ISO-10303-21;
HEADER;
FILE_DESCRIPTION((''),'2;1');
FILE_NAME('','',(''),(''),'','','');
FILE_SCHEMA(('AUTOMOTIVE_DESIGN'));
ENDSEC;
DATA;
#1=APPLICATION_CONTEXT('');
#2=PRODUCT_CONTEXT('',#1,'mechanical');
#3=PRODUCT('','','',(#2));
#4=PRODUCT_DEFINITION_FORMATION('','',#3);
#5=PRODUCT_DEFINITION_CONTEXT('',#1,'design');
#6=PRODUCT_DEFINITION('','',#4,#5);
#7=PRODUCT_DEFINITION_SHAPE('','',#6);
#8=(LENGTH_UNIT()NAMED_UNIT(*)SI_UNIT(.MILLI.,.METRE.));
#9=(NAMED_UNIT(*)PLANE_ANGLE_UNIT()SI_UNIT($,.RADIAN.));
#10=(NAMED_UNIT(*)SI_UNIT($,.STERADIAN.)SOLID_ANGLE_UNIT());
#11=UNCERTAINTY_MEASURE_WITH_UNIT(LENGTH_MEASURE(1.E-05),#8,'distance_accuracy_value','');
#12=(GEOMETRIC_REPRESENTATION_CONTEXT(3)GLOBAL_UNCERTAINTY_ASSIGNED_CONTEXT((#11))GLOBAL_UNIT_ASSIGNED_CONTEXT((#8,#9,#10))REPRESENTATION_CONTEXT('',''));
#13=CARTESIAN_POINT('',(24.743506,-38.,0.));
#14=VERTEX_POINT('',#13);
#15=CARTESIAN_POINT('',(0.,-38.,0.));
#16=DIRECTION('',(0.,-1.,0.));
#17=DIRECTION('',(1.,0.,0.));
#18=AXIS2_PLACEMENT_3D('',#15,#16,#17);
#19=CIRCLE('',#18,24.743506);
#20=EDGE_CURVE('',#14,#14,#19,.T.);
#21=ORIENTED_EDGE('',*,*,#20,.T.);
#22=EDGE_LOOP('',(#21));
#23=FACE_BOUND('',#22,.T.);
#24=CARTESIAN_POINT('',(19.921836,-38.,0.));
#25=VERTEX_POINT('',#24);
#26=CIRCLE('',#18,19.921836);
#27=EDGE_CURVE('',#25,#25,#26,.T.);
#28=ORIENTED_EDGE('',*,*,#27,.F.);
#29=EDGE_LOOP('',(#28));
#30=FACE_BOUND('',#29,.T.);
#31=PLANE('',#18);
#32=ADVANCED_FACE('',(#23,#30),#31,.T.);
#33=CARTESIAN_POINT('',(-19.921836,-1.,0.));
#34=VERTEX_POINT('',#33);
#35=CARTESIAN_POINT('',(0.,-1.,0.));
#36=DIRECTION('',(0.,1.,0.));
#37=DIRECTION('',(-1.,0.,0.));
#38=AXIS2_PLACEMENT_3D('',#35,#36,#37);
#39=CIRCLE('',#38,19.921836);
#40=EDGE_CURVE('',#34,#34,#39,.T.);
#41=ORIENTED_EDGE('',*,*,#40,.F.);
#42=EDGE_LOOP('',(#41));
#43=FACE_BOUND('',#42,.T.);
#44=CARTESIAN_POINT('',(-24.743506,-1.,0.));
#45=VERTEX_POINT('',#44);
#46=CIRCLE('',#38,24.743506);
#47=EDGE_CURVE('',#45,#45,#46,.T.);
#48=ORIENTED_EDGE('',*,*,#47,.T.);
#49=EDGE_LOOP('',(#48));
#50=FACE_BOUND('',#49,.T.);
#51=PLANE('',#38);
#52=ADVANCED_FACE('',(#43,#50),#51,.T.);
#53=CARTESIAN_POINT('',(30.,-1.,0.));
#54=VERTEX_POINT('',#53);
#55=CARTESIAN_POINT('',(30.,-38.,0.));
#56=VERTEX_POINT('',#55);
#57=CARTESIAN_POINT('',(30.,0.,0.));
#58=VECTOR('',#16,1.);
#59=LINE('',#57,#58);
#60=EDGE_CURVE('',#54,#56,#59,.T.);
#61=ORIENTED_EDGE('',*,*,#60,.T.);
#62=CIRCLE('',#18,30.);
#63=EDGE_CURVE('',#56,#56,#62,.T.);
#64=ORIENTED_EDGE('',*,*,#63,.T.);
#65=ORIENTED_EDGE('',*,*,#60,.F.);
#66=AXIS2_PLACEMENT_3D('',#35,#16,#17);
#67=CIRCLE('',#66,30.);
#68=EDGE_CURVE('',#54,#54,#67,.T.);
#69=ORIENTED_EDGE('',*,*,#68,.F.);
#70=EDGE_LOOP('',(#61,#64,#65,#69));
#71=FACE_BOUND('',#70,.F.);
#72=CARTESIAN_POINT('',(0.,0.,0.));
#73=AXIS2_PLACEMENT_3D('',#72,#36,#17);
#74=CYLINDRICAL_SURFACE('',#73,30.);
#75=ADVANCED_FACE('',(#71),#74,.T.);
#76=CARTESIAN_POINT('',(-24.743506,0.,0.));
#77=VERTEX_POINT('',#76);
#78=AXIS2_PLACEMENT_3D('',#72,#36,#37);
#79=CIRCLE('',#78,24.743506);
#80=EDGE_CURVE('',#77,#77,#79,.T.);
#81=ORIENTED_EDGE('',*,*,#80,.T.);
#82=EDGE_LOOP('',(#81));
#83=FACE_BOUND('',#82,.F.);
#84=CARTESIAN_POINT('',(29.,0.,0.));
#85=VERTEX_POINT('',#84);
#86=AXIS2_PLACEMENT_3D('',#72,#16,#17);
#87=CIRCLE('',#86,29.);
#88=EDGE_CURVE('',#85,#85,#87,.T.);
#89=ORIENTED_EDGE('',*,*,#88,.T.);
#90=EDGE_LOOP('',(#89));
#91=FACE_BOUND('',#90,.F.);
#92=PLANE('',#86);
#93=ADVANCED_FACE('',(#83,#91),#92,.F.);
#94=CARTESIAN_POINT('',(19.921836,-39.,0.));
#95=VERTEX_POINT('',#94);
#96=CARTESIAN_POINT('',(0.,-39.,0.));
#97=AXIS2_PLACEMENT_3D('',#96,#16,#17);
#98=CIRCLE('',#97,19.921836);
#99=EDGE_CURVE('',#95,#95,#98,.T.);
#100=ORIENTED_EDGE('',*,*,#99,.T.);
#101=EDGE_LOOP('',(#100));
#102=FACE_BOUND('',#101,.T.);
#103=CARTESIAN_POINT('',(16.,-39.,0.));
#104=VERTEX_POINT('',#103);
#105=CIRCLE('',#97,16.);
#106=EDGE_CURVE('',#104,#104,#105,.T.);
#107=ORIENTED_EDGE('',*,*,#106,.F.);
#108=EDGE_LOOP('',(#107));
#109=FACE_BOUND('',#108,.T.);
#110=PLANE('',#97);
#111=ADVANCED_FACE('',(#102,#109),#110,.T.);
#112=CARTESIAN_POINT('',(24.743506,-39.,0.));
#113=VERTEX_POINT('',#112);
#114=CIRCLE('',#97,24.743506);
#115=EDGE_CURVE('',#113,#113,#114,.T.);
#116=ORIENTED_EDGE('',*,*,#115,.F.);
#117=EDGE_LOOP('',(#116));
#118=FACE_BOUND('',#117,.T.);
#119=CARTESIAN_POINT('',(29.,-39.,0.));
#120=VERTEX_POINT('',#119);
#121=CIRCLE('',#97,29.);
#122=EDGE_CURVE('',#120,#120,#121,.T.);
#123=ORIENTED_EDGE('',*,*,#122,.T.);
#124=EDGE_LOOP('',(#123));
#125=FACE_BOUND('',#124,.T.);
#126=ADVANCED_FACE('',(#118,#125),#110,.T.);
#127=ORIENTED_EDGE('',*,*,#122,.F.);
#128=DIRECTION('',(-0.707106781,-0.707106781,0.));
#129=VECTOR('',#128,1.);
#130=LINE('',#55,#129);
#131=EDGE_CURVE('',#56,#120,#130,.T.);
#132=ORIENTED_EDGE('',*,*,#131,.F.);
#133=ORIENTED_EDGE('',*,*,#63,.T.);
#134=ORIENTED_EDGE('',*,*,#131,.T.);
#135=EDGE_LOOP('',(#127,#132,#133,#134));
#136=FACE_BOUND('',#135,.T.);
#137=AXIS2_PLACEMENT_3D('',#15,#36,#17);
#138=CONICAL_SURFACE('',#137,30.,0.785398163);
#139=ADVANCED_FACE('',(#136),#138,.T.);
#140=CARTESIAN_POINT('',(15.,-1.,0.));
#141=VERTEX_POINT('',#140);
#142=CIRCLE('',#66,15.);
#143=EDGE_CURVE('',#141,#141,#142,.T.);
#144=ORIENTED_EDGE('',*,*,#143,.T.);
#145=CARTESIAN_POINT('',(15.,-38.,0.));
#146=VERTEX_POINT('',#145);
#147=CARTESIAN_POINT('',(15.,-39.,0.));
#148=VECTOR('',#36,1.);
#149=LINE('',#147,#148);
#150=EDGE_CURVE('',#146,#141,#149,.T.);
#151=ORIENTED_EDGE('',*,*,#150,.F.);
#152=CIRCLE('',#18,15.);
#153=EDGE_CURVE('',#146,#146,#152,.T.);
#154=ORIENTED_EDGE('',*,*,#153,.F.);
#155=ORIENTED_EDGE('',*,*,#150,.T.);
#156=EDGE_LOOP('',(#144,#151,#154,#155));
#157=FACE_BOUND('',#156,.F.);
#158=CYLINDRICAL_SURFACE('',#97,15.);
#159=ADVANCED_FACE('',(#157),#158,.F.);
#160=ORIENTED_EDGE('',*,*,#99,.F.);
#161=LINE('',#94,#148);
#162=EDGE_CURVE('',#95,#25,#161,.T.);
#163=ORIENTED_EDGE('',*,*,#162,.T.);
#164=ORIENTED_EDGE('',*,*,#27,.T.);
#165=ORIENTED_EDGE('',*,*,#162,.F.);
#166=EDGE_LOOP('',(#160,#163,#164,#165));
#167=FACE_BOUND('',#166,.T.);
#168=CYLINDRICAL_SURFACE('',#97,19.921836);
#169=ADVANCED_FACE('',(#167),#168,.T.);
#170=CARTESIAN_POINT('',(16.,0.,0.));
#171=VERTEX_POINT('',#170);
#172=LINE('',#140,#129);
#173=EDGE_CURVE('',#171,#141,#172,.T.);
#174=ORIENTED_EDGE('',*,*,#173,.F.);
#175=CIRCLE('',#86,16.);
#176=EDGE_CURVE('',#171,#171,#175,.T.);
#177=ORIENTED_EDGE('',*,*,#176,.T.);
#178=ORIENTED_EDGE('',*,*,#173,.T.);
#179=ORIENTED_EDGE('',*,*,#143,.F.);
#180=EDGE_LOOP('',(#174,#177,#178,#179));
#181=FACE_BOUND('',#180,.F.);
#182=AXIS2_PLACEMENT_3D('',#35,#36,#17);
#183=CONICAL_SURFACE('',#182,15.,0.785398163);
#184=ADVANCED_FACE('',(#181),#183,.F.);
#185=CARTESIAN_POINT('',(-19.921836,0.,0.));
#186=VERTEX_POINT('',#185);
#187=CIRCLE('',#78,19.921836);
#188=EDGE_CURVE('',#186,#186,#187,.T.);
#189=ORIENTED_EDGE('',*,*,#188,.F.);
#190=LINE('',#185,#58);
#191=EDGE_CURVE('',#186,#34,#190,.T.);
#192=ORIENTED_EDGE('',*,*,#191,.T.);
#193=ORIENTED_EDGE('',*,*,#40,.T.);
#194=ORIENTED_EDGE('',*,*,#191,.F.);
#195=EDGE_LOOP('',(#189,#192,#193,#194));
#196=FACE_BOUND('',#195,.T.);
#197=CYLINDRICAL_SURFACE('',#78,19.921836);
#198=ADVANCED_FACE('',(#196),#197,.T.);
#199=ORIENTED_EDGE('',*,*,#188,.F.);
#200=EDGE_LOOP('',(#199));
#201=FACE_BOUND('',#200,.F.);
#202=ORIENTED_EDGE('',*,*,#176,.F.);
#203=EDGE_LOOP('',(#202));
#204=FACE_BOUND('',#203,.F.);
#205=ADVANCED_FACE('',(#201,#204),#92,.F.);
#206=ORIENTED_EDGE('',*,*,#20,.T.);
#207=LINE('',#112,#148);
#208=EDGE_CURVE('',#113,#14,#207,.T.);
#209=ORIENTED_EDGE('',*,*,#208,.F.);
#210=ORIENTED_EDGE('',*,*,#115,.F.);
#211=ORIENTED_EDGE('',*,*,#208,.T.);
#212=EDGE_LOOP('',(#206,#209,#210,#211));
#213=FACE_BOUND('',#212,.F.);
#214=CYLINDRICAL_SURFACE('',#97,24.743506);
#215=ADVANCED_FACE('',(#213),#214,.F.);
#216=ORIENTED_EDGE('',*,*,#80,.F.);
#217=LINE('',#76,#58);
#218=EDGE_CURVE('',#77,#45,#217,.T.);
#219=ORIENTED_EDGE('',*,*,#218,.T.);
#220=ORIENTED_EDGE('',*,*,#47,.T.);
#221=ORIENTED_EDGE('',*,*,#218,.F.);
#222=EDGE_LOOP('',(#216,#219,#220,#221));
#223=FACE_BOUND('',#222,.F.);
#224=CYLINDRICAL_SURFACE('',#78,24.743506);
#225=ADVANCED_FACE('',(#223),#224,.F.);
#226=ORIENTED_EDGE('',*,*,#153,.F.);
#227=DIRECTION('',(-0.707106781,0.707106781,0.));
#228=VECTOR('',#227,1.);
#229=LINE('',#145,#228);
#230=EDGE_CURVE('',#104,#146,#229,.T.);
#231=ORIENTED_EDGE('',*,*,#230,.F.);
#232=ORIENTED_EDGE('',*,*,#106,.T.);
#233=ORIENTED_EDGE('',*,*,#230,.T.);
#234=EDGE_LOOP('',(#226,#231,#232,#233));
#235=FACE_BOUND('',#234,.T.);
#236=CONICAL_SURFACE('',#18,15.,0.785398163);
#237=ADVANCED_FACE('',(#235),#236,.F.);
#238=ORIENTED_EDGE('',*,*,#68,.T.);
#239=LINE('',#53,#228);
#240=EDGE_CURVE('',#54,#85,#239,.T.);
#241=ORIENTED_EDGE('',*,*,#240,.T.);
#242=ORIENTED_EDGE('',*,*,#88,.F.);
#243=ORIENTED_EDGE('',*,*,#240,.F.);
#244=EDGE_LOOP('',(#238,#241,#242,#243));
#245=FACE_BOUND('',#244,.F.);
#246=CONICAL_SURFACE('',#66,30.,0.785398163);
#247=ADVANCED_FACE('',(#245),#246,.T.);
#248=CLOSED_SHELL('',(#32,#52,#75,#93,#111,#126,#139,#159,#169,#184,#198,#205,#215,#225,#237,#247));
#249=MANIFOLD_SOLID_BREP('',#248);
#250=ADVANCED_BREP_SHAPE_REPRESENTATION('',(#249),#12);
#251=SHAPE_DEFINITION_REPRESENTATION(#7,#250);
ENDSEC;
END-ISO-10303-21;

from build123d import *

# Parameters (mm, degrees)
F0_R     = 30
F1_DEPTH = 39
F2_R     = 15
F3_DEPTH = 39.001
F4_SIZE  = 1
F5_R     = 24.743506
F5_R_2   = 19.921836
F6_DEPTH = 1
F7_R     = 24.743506
F7_R_2   = 19.921836
F8_DEPTH = 1


with BuildPart() as f1:
    # F0 (on Front) → F1 (new body)
    with BuildSketch(Plane.XZ):
        Circle(F0_R)
    extrude(amount=F1_DEPTH)

    # F2 (on face) → F3 (cut, through all)
    with BuildSketch(Plane.XZ.offset(39)):
        Circle(F2_R)
    extrude(amount=-F3_DEPTH, mode=Mode.SUBTRACT)

    # F4
    f4_edges = [f1.edges().sort_by_distance(p)[0] for p in [
        (-30, -39, 0),
        (-15, -39, 0),
        (-30, 0, 0),
        (-15, 0, 0),
    ]]
    chamfer(f4_edges, length=F4_SIZE)

    # F5 (on face) → F6 (cut)
    with BuildSketch(Plane(origin=(0, 0, 0), x_dir=(-1, 0, 0), z_dir=(0, 1, 0))):
        Circle(F5_R)
        Circle(F5_R_2, mode=Mode.SUBTRACT)
    extrude(amount=-F6_DEPTH, mode=Mode.SUBTRACT)

    # F7 (on face) → F8 (cut)
    with BuildSketch(Plane.XZ.offset(39)):
        Circle(F7_R)
        Circle(F7_R_2, mode=Mode.SUBTRACT)
    extrude(amount=-F8_DEPTH, mode=Mode.SUBTRACT)


solid = f1.part
